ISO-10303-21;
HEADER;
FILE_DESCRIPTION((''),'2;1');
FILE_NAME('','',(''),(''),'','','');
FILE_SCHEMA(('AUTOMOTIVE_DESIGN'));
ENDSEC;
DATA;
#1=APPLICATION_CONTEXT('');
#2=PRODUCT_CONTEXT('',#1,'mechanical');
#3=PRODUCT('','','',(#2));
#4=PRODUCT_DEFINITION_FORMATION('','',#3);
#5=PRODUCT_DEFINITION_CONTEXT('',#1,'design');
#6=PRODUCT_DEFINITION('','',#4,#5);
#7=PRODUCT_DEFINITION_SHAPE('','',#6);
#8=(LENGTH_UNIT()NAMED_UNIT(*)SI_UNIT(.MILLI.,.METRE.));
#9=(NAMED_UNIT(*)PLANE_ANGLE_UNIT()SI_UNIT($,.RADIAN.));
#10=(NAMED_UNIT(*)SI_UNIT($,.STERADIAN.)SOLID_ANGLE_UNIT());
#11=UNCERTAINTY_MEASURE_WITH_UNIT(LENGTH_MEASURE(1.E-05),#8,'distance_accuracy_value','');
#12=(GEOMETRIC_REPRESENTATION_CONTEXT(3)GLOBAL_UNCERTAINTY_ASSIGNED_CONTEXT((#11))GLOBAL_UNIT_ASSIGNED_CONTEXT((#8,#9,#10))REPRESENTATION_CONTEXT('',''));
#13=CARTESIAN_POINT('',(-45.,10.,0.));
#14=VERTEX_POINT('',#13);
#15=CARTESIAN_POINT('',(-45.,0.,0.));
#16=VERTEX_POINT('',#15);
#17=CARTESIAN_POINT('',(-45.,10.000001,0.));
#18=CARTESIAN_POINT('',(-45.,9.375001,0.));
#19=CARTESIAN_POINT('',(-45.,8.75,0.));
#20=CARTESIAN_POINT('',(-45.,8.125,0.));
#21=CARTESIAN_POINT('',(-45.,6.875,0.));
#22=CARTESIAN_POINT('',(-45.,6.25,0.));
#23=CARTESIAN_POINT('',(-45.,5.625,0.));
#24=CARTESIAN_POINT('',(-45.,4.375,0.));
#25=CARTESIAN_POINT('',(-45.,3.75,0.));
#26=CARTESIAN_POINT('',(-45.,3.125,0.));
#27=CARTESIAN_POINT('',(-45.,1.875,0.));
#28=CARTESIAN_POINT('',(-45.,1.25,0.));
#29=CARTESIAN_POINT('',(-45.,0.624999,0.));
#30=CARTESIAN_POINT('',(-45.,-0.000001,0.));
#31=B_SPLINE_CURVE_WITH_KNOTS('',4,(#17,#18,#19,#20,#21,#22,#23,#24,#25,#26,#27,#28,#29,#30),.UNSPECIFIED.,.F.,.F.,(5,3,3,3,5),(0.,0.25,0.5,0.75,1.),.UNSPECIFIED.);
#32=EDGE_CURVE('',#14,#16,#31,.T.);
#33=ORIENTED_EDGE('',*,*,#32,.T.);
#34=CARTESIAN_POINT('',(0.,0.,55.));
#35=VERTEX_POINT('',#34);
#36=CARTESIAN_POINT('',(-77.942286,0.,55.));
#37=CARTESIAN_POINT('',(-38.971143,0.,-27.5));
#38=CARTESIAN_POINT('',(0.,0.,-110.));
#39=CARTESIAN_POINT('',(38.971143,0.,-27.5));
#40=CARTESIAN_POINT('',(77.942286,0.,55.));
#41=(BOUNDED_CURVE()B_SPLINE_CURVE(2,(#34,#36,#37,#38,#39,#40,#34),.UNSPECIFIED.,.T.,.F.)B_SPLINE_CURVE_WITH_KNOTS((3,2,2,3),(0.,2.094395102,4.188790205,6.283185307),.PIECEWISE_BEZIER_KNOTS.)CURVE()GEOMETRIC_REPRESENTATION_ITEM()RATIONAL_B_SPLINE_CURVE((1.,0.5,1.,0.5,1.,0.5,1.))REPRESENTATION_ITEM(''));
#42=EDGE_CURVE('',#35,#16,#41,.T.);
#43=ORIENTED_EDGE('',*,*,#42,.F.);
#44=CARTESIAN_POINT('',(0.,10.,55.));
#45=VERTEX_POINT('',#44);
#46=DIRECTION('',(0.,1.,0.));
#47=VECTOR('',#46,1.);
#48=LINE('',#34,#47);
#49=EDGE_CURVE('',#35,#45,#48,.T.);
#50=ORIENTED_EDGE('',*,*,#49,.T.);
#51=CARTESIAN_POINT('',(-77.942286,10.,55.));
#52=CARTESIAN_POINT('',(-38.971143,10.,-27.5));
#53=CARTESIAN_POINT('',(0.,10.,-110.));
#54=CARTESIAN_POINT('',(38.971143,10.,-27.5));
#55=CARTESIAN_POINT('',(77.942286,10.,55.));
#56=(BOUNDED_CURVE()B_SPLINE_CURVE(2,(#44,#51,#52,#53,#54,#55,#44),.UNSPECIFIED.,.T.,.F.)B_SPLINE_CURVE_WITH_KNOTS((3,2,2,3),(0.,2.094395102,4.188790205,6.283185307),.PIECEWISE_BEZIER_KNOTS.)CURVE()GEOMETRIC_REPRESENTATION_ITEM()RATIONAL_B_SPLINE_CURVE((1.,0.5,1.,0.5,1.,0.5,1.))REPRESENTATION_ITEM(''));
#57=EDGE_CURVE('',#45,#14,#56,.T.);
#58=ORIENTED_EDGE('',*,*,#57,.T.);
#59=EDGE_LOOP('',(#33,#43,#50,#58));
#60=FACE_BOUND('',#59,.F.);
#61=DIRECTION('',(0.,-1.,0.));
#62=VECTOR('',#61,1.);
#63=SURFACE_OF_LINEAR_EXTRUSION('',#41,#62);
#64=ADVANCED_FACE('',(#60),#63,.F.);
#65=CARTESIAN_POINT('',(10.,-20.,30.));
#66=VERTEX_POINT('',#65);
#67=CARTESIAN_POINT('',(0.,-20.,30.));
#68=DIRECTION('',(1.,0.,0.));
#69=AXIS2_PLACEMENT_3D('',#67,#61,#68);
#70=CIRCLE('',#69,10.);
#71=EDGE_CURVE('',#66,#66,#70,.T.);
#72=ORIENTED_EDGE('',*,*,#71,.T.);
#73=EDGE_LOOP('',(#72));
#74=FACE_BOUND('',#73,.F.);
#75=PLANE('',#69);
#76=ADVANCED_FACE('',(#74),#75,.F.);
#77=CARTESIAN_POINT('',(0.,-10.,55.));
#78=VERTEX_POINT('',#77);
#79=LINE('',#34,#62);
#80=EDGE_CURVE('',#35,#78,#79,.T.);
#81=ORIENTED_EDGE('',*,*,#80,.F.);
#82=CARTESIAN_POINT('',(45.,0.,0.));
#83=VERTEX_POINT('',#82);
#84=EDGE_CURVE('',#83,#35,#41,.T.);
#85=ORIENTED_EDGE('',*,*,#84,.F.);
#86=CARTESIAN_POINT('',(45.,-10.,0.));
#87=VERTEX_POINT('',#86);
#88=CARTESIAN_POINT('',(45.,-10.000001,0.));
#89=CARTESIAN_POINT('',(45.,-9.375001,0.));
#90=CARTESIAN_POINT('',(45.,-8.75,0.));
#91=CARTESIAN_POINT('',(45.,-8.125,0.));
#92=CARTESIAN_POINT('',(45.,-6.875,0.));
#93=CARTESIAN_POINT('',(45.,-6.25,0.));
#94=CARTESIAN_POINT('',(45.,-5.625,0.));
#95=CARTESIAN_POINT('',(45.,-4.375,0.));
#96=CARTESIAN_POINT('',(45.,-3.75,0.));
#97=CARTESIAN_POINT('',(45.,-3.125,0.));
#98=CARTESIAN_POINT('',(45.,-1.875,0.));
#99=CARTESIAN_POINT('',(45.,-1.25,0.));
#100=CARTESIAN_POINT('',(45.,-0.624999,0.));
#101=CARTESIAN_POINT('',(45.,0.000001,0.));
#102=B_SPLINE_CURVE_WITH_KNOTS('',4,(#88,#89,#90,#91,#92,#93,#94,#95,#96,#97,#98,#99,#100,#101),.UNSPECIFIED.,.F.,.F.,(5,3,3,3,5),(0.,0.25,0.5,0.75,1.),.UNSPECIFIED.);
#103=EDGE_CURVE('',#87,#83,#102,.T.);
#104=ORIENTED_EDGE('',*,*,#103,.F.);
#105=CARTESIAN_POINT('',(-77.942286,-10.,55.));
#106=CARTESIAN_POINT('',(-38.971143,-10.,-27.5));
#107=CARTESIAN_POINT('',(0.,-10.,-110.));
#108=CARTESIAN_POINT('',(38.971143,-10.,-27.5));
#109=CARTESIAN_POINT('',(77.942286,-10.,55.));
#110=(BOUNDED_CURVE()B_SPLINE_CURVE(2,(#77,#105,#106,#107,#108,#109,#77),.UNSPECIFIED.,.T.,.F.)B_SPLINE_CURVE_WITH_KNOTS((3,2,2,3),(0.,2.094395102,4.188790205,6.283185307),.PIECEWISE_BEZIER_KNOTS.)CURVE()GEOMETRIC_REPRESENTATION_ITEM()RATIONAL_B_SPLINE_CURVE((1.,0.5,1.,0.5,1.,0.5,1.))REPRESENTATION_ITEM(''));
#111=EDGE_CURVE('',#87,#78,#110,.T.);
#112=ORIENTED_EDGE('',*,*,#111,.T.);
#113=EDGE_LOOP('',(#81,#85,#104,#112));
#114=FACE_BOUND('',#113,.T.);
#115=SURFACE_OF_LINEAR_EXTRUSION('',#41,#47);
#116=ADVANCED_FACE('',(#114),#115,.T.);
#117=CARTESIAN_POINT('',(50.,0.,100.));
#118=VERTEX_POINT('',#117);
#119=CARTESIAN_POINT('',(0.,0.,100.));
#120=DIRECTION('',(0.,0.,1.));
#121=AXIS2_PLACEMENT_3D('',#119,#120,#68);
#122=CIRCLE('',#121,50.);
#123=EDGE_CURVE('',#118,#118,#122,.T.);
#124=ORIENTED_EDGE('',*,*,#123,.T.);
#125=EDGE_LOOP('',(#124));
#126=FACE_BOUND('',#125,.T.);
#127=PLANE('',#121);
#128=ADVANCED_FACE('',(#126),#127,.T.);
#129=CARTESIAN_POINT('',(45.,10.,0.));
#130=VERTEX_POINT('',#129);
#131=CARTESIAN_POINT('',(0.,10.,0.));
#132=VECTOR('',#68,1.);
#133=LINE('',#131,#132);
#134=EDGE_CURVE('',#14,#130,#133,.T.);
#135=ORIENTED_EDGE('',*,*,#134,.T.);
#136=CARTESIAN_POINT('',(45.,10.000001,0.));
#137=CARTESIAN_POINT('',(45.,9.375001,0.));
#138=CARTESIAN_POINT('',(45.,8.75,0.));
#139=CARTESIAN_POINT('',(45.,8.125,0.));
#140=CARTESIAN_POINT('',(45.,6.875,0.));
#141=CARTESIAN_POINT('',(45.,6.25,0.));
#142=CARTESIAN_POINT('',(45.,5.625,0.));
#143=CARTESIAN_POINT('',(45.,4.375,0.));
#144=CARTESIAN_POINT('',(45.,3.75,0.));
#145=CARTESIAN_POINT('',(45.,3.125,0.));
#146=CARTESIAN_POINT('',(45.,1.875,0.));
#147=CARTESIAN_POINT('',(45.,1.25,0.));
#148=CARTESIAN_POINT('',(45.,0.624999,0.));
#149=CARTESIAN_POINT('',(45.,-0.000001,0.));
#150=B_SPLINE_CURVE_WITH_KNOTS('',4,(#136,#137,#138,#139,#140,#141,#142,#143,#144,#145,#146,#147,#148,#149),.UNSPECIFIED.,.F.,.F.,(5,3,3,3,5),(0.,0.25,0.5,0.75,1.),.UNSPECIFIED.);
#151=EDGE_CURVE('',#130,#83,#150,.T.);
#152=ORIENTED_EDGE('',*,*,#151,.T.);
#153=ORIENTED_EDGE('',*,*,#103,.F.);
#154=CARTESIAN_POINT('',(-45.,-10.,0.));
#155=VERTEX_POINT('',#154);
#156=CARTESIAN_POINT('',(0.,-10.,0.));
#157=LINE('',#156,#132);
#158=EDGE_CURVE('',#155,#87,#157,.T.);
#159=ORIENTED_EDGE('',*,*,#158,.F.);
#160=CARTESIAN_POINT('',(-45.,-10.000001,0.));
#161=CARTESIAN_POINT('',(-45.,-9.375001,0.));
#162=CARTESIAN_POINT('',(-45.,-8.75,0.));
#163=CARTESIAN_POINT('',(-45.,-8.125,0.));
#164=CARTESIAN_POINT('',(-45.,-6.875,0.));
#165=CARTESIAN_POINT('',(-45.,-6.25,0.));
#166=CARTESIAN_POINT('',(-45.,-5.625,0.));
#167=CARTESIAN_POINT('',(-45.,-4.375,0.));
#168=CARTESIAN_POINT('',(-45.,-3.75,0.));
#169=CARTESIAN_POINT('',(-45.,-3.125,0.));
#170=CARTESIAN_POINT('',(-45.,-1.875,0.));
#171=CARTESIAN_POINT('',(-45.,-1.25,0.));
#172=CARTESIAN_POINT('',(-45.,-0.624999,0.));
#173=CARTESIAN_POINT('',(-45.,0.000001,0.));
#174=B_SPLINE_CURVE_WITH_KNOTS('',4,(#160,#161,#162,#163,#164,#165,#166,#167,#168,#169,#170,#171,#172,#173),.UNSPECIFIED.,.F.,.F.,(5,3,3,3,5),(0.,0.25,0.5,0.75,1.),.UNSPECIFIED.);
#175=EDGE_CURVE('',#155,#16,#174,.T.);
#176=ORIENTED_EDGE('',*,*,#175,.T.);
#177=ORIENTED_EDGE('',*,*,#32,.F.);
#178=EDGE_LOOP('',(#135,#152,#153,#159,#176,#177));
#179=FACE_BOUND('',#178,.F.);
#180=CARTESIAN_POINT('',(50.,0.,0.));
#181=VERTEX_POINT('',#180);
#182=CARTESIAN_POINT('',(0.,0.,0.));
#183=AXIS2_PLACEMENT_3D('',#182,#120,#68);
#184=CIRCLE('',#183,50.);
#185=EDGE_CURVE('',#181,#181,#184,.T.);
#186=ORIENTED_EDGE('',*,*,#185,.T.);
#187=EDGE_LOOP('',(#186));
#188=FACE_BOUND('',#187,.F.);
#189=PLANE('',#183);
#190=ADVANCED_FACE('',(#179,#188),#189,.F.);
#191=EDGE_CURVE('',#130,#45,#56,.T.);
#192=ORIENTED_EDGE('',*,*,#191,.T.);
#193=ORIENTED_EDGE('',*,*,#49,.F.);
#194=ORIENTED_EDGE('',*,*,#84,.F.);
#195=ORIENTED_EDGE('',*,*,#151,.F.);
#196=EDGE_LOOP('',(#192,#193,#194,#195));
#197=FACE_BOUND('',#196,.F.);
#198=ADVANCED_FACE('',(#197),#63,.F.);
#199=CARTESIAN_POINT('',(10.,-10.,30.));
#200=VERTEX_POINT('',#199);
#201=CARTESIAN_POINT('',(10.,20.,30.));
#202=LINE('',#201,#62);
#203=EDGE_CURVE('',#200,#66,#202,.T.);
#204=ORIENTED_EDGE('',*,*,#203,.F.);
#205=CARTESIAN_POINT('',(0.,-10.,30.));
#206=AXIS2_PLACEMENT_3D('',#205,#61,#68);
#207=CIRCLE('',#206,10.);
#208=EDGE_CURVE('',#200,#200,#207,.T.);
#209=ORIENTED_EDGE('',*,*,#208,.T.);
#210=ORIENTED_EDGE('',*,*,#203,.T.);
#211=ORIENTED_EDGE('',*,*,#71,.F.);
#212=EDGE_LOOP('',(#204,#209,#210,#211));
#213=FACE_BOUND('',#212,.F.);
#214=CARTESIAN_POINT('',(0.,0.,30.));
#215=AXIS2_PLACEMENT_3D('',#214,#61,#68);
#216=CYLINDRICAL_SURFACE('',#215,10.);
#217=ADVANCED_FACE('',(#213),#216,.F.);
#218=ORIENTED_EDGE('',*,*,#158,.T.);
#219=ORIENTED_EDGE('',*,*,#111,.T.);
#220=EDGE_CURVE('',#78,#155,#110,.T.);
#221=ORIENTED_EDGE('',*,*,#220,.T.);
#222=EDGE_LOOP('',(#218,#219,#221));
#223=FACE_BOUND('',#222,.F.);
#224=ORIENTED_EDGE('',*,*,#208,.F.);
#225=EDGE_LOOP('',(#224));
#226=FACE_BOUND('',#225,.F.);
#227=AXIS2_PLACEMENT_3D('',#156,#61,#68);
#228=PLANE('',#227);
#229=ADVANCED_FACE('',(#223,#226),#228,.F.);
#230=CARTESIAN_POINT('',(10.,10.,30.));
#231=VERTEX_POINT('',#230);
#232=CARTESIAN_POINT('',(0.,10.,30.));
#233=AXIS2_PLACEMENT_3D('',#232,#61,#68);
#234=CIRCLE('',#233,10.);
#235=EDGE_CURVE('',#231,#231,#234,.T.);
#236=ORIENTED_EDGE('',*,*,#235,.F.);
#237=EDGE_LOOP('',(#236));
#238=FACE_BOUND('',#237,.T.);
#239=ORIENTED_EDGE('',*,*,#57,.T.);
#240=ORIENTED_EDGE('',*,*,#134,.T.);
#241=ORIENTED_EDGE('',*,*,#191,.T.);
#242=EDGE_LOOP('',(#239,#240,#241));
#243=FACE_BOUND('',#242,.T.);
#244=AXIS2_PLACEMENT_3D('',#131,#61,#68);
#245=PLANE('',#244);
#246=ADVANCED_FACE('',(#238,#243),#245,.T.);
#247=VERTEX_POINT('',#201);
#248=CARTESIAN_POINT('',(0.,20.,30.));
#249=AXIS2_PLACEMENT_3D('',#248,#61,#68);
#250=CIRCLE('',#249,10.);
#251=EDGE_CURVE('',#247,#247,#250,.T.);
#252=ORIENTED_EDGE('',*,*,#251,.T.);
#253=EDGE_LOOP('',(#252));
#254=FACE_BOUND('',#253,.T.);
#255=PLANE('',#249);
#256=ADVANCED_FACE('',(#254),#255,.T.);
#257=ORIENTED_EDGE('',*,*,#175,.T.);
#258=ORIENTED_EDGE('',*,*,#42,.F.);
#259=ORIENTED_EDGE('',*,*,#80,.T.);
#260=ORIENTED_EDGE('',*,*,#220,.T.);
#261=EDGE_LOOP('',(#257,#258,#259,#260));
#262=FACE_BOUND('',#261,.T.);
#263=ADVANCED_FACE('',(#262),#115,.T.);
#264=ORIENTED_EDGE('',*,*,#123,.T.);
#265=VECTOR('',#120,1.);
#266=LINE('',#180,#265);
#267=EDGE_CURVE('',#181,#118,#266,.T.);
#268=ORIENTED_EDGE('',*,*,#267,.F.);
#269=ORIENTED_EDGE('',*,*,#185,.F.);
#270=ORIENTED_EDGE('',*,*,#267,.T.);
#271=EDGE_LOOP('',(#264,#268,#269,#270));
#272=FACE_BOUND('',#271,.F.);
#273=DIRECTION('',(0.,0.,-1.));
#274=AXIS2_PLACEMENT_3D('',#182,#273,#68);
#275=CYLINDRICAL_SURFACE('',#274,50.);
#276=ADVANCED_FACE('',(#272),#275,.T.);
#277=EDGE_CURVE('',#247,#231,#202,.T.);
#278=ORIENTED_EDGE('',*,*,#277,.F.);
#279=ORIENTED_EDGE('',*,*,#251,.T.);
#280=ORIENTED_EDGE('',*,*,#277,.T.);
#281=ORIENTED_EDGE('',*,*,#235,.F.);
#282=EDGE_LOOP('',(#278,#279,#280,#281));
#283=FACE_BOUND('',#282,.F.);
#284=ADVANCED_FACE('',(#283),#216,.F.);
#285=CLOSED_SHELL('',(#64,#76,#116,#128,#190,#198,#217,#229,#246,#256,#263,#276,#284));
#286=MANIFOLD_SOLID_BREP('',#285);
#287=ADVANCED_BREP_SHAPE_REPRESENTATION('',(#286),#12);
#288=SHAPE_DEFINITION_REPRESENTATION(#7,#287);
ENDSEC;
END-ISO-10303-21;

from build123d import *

# Parameters (mm, degrees)
F0_R     = 50
F1_DEPTH = 100
F3_DEPTH = 10
F4_R     = 10
F5_DEPTH = 20


with BuildPart() as f1:
    # F0 (on Top) → F1 (new body)
    with BuildSketch(Plane.XY):
        Circle(F0_R)
    extrude(amount=F1_DEPTH)

    # F2 (on Front) → F3 (cut, symmetric)
    with BuildSketch(Plane.XZ):
        with BuildLine():
            add(Edge.make_bspline(
                [(0, 55), (-77.9422863406, 55), (-38.9711431703, -27.5), (0, -110), (38.9711431703, -27.5), (77.9422863406, 55), (0, 55)],
                knots=[0, 0, 0, 2.0943951024, 2.0943951024, 4.1887902048, 4.1887902048, 6.2831853072, 6.2831853072, 6.2831853072], degree=2, weights=[1, 0.5, 1, 0.5, 1, 0.5, 1]))
        make_face()
    extrude(amount=F3_DEPTH, both=True, mode=Mode.SUBTRACT)

    # F4 (on Front) → F5 (cut, symmetric)
    with BuildSketch(Plane.XZ):
        with Locations((0, 30)):
            Circle(F4_R)
    extrude(amount=F5_DEPTH, both=True, mode=Mode.SUBTRACT)


solid = f1.part
